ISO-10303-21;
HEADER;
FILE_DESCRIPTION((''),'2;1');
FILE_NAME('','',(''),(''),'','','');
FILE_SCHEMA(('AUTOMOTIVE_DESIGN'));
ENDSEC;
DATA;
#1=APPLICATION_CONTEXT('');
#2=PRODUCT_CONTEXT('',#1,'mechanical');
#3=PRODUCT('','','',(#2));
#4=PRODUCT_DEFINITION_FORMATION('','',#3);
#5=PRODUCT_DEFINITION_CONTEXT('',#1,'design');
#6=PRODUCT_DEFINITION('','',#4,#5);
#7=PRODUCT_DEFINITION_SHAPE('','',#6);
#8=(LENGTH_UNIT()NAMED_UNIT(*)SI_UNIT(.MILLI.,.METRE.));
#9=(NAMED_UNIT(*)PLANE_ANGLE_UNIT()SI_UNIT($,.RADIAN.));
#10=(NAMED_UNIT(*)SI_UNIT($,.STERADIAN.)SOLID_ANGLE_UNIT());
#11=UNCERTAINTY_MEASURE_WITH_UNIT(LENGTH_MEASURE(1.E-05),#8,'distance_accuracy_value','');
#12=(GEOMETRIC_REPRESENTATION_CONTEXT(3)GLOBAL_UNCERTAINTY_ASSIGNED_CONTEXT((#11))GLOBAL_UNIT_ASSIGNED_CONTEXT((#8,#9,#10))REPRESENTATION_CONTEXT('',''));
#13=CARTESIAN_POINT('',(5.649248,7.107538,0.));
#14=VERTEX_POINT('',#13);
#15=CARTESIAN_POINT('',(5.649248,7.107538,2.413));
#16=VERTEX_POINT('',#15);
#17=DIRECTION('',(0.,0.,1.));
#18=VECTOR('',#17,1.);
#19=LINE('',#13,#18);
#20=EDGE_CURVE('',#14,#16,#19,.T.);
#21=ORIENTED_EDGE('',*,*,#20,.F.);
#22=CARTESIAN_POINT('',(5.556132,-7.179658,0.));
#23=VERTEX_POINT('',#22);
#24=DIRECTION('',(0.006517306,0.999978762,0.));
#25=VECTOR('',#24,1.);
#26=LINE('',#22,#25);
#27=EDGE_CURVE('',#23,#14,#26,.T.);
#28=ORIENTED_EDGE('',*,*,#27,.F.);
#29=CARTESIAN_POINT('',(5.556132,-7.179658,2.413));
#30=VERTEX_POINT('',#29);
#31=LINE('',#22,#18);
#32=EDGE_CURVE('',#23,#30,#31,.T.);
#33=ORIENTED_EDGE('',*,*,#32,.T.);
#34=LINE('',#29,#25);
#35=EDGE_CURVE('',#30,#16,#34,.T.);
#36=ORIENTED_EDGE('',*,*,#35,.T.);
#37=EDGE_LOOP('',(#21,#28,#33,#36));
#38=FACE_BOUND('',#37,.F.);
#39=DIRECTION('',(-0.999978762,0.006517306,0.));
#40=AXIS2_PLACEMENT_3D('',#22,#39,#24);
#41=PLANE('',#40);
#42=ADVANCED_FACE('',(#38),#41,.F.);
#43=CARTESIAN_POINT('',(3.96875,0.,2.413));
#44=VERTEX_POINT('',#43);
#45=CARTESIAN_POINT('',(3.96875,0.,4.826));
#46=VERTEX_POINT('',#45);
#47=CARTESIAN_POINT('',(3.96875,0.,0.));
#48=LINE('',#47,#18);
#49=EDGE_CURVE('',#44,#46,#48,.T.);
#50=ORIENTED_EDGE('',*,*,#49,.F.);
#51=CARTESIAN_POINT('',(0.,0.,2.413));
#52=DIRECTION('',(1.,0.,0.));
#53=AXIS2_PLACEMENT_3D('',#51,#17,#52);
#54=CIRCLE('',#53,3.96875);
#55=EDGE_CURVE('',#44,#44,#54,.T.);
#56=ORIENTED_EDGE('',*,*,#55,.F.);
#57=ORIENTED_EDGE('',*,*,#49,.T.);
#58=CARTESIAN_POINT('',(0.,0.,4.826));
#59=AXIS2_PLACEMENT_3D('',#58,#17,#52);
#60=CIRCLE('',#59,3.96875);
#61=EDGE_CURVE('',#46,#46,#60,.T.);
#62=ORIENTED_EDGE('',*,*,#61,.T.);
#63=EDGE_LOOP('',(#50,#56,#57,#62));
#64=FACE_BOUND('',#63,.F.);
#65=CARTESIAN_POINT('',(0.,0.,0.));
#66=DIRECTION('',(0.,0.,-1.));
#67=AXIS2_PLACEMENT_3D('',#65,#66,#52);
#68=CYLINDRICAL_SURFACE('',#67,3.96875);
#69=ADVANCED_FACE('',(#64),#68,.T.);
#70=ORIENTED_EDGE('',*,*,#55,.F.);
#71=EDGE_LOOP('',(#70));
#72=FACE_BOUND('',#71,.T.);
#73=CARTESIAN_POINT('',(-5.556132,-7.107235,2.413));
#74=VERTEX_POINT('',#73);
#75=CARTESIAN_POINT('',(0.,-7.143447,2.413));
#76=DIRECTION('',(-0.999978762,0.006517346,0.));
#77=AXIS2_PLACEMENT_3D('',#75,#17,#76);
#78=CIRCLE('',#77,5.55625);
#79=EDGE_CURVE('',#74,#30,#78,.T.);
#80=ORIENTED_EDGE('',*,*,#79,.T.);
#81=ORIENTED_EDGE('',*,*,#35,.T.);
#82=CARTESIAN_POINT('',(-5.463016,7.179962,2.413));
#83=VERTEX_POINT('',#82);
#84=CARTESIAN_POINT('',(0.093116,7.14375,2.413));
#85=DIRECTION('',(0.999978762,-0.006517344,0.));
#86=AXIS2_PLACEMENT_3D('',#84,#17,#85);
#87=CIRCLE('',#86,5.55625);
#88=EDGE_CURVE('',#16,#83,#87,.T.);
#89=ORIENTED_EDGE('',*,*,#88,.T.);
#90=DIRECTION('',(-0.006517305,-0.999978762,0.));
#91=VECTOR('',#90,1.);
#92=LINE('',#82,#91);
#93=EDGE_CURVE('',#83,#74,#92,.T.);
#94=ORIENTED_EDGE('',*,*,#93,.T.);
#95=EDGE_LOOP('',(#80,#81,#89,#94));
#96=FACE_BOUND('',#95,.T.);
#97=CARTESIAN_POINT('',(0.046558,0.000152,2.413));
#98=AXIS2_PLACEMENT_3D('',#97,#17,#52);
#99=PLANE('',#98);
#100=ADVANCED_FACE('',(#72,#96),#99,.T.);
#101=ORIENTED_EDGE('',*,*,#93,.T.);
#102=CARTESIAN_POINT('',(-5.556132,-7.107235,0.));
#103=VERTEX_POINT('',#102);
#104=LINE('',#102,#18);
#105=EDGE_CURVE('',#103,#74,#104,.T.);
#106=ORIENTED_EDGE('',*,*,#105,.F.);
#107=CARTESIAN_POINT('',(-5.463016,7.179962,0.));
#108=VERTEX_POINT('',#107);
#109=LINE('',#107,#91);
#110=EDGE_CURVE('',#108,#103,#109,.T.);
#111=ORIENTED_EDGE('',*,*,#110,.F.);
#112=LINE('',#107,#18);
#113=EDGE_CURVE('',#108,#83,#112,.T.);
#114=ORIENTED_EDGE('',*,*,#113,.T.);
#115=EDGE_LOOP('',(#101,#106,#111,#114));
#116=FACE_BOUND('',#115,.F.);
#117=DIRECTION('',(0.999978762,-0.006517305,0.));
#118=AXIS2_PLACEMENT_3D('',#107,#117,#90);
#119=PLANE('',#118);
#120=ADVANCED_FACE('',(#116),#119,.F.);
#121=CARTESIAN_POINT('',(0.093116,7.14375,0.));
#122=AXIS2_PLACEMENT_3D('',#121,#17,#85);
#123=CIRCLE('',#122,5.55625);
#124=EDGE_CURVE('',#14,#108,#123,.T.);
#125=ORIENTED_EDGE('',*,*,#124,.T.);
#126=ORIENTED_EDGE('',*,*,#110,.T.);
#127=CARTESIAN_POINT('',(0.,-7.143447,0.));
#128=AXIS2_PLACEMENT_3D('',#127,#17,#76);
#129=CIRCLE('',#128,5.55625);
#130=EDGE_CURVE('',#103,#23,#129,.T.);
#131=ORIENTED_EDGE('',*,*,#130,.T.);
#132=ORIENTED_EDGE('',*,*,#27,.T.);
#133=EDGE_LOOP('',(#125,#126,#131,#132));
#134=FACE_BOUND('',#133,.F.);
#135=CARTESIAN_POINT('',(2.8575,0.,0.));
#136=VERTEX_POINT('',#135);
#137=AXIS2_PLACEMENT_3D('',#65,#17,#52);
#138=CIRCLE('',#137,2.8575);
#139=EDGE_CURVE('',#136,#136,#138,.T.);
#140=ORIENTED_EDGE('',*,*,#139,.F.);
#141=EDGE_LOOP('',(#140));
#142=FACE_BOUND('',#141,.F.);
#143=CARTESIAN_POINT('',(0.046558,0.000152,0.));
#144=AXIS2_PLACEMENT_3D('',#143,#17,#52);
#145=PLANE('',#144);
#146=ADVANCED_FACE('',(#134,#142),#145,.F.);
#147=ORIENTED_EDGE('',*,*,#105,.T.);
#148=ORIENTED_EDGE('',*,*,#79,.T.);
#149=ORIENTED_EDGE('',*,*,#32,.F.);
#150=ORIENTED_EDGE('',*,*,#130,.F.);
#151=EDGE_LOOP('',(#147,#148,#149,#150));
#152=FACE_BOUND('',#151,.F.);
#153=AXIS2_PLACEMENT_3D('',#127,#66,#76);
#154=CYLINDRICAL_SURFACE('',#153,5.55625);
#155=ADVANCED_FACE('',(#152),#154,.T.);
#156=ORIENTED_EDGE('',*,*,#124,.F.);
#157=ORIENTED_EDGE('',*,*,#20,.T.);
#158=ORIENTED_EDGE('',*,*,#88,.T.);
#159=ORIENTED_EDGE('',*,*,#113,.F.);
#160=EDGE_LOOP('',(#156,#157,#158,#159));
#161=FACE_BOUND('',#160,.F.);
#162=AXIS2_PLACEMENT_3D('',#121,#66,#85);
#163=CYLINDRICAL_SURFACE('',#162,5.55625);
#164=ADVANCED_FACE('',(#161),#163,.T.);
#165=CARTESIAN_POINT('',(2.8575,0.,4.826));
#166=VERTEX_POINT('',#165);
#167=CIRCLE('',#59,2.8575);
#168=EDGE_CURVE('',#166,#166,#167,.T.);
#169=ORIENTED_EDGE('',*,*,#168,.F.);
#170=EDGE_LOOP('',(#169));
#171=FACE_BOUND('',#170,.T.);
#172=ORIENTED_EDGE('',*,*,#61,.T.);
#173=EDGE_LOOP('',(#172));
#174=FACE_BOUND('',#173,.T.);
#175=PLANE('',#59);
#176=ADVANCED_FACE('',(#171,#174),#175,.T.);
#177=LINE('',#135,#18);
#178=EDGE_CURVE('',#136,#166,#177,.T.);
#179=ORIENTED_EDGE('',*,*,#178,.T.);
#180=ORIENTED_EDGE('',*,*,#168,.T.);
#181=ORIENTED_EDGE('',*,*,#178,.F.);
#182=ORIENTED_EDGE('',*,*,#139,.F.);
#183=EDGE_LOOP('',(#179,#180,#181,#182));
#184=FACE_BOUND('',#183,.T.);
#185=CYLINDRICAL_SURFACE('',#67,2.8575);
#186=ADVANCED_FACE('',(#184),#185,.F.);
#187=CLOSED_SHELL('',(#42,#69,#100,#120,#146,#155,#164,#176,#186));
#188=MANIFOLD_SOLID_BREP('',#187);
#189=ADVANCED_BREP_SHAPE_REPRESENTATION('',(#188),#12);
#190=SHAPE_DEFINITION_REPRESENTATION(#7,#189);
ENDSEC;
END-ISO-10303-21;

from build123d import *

# Parameters (mm, degrees)
F0_R     = 3.96875
F0_R_2   = 2.8575
F1_DEPTH = 4.826
F2_DEPTH = 2.413


with BuildPart() as f1:
    # F0 (on Top) → F1 (new body)
    with BuildSketch(Plane.XY):
        Circle(F0_R)
        Circle(F0_R_2, mode=Mode.SUBTRACT)
    extrude(amount=F1_DEPTH)

    # F0 (on Top) → F2 (join)
    with BuildSketch(Plane.XY):
        with BuildLine():
            ThreePointArc((5.649248, 7.107538), (0.129327, 12.699882), (-5.463016, 7.179962))
            Line((-5.463016, 7.179962), (-5.556132, -7.107235))
            ThreePointArc((-5.556132, -7.107235), (-0.036212, -12.699579), (5.556132, -7.179658))
            Line((5.556132, -7.179658), (5.649248, 7.107538))
        make_face()
        Circle(F0_R, mode=Mode.SUBTRACT)
    extrude(amount=F2_DEPTH)


solid = f1.part
